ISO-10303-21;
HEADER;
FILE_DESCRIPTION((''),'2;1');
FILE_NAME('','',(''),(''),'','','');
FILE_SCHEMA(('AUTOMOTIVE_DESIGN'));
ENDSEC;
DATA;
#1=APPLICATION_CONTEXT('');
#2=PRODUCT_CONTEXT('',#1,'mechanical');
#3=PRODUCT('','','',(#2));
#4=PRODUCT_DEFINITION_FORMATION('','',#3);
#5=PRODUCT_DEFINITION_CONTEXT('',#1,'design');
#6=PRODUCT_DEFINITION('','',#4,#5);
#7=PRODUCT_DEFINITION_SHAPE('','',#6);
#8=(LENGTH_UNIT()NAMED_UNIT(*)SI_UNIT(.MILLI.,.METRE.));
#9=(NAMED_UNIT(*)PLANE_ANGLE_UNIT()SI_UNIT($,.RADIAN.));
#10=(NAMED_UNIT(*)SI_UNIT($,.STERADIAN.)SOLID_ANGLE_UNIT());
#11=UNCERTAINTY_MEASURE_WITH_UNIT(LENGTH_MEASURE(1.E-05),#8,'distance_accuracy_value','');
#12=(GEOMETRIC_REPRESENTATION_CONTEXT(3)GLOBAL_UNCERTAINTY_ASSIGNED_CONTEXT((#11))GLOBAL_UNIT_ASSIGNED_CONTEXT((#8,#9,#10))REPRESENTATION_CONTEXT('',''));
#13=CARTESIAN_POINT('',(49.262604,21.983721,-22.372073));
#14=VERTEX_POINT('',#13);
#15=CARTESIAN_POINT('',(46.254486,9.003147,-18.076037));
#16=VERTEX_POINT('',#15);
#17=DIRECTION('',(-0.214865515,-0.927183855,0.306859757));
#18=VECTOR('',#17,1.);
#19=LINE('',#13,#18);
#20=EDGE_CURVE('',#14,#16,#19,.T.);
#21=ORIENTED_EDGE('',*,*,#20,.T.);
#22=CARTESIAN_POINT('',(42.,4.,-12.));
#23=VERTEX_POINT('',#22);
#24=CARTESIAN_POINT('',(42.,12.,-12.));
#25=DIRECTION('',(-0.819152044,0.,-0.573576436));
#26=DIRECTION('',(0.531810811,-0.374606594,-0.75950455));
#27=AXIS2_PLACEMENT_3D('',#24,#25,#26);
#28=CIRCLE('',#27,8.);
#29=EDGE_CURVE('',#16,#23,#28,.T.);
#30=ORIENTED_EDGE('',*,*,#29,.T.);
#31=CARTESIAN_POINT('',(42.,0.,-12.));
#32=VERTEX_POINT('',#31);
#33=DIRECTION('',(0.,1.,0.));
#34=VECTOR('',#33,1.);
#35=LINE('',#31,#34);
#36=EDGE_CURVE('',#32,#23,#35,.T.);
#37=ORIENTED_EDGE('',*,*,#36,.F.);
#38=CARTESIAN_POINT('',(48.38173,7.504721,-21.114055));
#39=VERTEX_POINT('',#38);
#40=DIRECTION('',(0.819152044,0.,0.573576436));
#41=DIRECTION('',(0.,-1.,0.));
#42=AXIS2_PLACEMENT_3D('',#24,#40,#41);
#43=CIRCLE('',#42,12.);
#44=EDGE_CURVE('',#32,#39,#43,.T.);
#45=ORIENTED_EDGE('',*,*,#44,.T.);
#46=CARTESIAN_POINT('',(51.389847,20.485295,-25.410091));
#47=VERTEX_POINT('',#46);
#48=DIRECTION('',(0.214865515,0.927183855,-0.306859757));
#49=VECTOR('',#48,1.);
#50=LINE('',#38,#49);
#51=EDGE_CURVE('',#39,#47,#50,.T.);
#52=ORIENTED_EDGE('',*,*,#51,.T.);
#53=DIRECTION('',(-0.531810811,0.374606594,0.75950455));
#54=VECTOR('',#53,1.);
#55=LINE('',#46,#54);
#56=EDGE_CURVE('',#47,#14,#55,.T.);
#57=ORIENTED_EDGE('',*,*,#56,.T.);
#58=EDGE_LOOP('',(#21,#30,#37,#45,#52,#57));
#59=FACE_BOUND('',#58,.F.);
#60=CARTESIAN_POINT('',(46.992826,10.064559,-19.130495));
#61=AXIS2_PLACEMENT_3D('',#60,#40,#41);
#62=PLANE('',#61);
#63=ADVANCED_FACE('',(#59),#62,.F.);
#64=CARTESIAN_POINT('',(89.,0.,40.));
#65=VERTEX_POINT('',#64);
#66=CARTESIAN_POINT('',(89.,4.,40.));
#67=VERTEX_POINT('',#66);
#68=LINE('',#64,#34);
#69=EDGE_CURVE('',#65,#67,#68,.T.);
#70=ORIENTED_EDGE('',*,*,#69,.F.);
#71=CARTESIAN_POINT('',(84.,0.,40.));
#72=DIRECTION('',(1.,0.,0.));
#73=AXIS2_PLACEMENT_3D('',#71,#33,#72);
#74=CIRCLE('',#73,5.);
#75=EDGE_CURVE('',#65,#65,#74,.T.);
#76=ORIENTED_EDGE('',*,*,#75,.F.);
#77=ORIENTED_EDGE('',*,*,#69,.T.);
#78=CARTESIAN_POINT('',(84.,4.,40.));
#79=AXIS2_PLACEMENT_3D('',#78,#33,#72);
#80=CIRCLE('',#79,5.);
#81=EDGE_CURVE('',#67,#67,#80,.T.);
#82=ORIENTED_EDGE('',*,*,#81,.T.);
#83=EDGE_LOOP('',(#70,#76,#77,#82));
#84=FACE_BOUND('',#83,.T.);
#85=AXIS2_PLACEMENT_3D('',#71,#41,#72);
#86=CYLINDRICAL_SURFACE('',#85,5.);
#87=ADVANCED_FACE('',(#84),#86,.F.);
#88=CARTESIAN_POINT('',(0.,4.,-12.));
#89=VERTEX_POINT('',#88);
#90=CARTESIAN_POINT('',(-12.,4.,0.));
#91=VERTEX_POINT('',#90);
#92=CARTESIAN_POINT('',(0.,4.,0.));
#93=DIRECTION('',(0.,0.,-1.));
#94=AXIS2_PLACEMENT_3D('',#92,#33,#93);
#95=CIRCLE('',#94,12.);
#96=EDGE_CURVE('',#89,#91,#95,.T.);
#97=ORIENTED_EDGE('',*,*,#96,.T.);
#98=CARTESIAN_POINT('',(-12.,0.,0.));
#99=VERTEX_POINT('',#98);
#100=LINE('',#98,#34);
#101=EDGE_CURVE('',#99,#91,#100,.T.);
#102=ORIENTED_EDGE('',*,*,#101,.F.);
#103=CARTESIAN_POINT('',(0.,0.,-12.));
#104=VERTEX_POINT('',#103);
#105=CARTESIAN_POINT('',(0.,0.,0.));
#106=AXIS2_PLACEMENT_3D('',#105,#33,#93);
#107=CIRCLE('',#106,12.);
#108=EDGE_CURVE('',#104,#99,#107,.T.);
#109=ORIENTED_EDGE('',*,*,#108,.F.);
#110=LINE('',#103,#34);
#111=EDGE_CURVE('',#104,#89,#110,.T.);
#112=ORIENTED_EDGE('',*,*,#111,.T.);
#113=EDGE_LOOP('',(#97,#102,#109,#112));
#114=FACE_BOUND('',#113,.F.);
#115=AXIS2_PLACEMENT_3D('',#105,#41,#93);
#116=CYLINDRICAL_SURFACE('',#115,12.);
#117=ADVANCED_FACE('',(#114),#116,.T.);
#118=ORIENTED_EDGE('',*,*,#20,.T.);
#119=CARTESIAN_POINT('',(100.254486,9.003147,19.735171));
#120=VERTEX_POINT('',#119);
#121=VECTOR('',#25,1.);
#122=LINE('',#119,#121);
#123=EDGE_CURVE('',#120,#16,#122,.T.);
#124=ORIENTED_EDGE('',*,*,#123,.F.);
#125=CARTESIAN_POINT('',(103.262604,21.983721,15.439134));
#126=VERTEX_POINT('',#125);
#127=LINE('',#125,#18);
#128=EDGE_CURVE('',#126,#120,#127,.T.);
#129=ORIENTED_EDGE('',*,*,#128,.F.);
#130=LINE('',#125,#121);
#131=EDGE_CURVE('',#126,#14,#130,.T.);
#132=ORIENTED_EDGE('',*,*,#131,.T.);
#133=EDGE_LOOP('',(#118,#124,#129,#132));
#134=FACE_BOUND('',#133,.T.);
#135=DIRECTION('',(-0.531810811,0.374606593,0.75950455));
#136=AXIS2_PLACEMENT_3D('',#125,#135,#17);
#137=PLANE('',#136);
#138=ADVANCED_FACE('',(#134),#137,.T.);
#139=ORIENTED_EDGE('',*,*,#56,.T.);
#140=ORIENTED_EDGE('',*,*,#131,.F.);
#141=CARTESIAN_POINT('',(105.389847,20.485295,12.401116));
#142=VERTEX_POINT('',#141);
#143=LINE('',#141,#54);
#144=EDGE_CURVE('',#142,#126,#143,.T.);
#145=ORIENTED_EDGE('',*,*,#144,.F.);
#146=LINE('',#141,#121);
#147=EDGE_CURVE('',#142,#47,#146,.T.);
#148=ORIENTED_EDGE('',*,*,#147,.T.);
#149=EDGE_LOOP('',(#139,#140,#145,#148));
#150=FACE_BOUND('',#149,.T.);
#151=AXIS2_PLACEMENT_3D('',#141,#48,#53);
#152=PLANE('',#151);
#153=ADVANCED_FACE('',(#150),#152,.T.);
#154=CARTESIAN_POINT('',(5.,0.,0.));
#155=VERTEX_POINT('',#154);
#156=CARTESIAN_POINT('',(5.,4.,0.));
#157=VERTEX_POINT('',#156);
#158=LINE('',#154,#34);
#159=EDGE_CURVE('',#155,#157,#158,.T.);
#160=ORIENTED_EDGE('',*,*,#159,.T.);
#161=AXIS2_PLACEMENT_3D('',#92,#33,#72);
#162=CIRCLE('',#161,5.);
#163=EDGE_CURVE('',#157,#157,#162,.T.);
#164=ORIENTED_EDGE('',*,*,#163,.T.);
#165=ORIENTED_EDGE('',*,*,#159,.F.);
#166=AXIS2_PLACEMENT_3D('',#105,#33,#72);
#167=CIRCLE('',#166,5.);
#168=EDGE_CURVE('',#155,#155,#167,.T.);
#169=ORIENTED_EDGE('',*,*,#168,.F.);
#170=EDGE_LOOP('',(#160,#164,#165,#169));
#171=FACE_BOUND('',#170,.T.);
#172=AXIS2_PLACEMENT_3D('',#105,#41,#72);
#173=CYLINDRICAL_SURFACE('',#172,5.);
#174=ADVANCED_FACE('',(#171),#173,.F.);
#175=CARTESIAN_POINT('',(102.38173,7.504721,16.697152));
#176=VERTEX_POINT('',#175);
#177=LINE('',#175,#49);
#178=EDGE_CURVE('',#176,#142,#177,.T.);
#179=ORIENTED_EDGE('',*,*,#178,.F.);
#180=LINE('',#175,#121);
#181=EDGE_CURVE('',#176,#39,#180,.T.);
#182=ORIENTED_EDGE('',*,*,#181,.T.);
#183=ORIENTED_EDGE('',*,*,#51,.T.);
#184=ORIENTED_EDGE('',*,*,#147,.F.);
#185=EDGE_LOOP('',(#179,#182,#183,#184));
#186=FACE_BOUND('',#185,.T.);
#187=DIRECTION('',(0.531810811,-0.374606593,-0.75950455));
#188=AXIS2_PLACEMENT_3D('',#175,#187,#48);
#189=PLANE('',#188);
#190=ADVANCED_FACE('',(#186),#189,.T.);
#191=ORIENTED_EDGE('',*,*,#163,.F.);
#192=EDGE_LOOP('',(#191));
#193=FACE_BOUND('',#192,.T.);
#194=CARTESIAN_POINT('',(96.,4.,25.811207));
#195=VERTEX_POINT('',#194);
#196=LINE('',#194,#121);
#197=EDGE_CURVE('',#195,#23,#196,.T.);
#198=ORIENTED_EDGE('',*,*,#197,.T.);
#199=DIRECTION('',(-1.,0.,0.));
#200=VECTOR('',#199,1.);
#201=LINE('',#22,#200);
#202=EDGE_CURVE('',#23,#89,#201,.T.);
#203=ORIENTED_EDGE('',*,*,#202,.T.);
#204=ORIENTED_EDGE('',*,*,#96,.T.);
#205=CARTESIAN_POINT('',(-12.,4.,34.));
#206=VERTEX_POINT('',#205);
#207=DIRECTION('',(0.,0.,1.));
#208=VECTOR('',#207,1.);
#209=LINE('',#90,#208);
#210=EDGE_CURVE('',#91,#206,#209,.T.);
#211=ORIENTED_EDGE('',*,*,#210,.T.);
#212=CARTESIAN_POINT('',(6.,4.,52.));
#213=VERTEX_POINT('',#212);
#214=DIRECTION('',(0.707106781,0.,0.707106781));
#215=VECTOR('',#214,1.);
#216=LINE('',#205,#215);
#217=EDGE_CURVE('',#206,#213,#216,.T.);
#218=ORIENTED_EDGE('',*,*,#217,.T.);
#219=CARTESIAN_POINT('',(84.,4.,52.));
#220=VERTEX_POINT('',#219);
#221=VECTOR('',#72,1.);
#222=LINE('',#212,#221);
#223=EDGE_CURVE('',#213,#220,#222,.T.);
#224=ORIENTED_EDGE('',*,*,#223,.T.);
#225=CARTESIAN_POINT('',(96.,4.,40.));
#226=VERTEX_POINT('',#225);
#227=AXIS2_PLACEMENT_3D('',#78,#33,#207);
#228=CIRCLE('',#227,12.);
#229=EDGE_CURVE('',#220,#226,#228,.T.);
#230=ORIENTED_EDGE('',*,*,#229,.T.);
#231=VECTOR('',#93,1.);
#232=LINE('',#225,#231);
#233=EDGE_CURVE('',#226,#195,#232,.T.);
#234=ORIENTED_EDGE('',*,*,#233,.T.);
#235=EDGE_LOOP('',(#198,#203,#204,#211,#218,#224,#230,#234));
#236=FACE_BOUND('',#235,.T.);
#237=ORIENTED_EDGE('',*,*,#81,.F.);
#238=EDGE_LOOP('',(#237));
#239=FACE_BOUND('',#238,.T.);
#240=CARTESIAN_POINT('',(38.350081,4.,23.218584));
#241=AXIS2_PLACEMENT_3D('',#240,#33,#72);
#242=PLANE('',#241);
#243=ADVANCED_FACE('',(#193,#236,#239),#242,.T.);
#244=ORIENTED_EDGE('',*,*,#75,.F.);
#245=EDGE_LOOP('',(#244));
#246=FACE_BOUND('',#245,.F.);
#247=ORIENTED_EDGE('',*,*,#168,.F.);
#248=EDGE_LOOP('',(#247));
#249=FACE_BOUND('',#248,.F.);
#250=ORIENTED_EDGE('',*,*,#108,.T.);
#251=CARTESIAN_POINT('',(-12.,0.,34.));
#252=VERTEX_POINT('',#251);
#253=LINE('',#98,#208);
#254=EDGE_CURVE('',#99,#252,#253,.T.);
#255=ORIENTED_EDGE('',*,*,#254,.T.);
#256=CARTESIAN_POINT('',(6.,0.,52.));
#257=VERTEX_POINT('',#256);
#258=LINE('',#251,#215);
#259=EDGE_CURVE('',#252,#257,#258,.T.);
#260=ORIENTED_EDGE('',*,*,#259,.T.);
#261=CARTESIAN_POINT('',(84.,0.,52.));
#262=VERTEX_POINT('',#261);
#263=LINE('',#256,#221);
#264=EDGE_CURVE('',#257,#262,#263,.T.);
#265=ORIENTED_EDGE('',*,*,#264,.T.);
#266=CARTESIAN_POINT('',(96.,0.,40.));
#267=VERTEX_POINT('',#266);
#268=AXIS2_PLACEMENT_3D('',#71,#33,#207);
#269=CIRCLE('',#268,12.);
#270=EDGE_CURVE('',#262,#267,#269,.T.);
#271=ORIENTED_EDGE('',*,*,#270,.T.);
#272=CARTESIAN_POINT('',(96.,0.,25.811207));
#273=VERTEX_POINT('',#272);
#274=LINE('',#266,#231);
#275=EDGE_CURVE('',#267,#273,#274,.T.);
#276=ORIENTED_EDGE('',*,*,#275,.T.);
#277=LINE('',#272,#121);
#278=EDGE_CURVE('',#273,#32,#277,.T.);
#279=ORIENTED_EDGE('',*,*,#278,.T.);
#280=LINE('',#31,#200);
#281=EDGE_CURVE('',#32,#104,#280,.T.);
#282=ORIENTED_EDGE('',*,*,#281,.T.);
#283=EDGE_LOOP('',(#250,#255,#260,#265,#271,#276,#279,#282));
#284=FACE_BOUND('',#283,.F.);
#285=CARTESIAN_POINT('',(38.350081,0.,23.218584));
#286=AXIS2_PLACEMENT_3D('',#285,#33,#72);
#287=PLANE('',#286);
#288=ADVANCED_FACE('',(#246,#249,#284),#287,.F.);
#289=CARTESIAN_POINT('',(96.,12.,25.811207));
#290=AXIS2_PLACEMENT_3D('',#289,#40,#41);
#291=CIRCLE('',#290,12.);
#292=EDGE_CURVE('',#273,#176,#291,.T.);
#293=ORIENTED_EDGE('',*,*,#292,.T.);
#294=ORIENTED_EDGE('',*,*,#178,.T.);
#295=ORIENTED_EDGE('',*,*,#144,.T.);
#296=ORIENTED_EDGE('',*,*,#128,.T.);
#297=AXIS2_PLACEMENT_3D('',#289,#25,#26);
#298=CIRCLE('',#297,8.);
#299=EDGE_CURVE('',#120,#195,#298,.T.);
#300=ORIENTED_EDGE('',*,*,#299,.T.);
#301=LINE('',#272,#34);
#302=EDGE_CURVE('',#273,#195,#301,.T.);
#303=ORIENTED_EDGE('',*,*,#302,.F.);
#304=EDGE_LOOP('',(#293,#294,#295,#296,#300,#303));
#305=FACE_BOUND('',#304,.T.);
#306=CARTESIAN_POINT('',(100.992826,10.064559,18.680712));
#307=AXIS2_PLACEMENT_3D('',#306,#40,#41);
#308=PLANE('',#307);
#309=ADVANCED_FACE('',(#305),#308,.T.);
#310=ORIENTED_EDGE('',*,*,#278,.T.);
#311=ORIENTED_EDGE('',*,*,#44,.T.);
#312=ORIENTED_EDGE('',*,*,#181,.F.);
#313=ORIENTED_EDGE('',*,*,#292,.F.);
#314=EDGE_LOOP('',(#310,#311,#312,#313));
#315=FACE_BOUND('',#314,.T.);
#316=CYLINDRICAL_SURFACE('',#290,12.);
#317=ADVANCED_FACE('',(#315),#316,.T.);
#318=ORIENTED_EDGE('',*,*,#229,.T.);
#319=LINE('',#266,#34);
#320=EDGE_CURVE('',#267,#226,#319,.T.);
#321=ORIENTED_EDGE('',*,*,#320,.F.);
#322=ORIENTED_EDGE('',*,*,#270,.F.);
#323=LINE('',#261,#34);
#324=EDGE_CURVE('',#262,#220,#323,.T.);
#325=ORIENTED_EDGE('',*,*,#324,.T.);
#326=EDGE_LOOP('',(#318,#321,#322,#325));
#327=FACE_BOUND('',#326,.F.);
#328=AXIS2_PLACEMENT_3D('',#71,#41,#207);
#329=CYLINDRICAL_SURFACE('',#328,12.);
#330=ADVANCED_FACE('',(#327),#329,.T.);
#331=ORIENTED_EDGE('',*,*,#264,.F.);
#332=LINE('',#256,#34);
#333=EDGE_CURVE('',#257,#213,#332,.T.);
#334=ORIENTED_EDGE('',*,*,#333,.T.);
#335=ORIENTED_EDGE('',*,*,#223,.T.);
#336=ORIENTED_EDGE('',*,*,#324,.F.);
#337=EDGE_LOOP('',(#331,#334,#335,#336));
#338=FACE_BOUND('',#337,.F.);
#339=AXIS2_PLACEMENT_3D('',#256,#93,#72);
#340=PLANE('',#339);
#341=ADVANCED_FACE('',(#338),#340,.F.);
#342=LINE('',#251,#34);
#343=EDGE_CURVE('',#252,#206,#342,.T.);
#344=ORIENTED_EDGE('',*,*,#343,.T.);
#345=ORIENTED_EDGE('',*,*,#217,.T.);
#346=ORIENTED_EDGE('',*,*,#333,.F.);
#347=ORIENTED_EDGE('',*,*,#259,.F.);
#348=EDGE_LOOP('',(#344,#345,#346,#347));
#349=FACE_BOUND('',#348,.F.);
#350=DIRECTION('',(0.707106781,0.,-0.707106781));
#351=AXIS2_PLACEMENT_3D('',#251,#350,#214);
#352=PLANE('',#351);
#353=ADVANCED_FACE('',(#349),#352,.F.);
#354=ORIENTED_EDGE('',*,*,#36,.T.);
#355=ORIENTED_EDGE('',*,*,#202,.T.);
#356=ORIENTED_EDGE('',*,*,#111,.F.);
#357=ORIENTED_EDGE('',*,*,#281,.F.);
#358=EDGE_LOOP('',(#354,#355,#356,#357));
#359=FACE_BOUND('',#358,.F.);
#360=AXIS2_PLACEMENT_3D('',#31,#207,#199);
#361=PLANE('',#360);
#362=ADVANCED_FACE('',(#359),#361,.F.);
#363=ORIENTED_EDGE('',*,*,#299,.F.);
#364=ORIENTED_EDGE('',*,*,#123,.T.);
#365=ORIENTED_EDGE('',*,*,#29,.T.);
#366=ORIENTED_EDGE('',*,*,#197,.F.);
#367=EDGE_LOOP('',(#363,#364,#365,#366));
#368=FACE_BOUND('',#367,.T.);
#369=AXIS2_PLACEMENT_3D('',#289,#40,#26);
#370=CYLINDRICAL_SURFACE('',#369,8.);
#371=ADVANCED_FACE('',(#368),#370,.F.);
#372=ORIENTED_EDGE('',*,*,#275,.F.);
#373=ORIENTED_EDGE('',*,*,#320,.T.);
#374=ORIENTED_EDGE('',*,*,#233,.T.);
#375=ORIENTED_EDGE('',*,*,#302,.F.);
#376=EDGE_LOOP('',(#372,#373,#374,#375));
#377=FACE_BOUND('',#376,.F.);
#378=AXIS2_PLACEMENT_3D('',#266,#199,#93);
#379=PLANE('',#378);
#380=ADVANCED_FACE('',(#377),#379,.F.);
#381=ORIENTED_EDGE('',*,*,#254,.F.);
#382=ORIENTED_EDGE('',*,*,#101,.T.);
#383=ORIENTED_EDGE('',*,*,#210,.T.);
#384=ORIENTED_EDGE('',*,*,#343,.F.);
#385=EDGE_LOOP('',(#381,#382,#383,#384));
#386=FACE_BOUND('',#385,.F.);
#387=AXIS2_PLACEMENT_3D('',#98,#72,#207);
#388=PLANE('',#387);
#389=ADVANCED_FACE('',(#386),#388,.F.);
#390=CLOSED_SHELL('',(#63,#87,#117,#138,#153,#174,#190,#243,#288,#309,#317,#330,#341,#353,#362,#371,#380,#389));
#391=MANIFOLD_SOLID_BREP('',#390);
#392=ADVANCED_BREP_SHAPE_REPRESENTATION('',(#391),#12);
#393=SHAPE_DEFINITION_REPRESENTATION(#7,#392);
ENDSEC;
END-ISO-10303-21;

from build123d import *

# Parameters (mm, degrees)
SKETCH1_R           = 5
BOSS_EXTRUDE1_DEPTH = 4
BOSS_EXTRUDE2_DEPTH = 65.921828


with BuildPart() as part:
    # Sketch1 → Boss-Extrude1 (new body)
    with BuildSketch(Plane(origin=(0, 0, 0), x_dir=(1, 0, 0), z_dir=(0, 1, 0))):
        with BuildLine():
            Line((-12, 0), (-12, -34))
            Line((-12, -34), (6, -52))
            Line((6, -52), (84, -52))
            ThreePointArc((84, -52), (92.485281374, -48.485281374), (96, -40))
            Line((96, -40), (96, -25.811207063))
            Line((96, -25.811207063), (42, 12))
            Line((42, 12), (0, 12))
            ThreePointArc((0, 12), (-8.485281374, 8.485281374), (-12, 0))
        make_face()
        Circle(SKETCH1_R, mode=Mode.SUBTRACT)
        with Locations((84, -40)):
            Circle(SKETCH1_R, mode=Mode.SUBTRACT)
    extrude(amount=BOSS_EXTRUDE1_DEPTH)

    # Sketch3 → Boss-Extrude2 (add)
    with BuildSketch(Plane(origin=(76.544267285, 0, 53.59687296), x_dir=(0, -1, 0), z_dir=(0.819152044, 0, 0.573576436))):
        with BuildLine():
            Line((-20.485294843, 50.290733421), (-21.983721217, 46.581998003))
            Line((-21.983721217, 46.581998003), (-9.003147253, 41.337505695))
            ThreePointArc((-9.003147253, 41.337505695), (-5.36769942, 38.393578086), (-4, 33.920034858))
            Line((-4, 33.920034858), (0, 33.920034858))
            ThreePointArc((0, 33.920034858), (-2.051549129, 40.6303497), (-7.504720879, 45.046241113))
            Line((-7.504720879, 45.046241113), (-20.485294843, 50.290733421))
        make_face()
    extrude(amount=-BOSS_EXTRUDE2_DEPTH)


solid = part.part
